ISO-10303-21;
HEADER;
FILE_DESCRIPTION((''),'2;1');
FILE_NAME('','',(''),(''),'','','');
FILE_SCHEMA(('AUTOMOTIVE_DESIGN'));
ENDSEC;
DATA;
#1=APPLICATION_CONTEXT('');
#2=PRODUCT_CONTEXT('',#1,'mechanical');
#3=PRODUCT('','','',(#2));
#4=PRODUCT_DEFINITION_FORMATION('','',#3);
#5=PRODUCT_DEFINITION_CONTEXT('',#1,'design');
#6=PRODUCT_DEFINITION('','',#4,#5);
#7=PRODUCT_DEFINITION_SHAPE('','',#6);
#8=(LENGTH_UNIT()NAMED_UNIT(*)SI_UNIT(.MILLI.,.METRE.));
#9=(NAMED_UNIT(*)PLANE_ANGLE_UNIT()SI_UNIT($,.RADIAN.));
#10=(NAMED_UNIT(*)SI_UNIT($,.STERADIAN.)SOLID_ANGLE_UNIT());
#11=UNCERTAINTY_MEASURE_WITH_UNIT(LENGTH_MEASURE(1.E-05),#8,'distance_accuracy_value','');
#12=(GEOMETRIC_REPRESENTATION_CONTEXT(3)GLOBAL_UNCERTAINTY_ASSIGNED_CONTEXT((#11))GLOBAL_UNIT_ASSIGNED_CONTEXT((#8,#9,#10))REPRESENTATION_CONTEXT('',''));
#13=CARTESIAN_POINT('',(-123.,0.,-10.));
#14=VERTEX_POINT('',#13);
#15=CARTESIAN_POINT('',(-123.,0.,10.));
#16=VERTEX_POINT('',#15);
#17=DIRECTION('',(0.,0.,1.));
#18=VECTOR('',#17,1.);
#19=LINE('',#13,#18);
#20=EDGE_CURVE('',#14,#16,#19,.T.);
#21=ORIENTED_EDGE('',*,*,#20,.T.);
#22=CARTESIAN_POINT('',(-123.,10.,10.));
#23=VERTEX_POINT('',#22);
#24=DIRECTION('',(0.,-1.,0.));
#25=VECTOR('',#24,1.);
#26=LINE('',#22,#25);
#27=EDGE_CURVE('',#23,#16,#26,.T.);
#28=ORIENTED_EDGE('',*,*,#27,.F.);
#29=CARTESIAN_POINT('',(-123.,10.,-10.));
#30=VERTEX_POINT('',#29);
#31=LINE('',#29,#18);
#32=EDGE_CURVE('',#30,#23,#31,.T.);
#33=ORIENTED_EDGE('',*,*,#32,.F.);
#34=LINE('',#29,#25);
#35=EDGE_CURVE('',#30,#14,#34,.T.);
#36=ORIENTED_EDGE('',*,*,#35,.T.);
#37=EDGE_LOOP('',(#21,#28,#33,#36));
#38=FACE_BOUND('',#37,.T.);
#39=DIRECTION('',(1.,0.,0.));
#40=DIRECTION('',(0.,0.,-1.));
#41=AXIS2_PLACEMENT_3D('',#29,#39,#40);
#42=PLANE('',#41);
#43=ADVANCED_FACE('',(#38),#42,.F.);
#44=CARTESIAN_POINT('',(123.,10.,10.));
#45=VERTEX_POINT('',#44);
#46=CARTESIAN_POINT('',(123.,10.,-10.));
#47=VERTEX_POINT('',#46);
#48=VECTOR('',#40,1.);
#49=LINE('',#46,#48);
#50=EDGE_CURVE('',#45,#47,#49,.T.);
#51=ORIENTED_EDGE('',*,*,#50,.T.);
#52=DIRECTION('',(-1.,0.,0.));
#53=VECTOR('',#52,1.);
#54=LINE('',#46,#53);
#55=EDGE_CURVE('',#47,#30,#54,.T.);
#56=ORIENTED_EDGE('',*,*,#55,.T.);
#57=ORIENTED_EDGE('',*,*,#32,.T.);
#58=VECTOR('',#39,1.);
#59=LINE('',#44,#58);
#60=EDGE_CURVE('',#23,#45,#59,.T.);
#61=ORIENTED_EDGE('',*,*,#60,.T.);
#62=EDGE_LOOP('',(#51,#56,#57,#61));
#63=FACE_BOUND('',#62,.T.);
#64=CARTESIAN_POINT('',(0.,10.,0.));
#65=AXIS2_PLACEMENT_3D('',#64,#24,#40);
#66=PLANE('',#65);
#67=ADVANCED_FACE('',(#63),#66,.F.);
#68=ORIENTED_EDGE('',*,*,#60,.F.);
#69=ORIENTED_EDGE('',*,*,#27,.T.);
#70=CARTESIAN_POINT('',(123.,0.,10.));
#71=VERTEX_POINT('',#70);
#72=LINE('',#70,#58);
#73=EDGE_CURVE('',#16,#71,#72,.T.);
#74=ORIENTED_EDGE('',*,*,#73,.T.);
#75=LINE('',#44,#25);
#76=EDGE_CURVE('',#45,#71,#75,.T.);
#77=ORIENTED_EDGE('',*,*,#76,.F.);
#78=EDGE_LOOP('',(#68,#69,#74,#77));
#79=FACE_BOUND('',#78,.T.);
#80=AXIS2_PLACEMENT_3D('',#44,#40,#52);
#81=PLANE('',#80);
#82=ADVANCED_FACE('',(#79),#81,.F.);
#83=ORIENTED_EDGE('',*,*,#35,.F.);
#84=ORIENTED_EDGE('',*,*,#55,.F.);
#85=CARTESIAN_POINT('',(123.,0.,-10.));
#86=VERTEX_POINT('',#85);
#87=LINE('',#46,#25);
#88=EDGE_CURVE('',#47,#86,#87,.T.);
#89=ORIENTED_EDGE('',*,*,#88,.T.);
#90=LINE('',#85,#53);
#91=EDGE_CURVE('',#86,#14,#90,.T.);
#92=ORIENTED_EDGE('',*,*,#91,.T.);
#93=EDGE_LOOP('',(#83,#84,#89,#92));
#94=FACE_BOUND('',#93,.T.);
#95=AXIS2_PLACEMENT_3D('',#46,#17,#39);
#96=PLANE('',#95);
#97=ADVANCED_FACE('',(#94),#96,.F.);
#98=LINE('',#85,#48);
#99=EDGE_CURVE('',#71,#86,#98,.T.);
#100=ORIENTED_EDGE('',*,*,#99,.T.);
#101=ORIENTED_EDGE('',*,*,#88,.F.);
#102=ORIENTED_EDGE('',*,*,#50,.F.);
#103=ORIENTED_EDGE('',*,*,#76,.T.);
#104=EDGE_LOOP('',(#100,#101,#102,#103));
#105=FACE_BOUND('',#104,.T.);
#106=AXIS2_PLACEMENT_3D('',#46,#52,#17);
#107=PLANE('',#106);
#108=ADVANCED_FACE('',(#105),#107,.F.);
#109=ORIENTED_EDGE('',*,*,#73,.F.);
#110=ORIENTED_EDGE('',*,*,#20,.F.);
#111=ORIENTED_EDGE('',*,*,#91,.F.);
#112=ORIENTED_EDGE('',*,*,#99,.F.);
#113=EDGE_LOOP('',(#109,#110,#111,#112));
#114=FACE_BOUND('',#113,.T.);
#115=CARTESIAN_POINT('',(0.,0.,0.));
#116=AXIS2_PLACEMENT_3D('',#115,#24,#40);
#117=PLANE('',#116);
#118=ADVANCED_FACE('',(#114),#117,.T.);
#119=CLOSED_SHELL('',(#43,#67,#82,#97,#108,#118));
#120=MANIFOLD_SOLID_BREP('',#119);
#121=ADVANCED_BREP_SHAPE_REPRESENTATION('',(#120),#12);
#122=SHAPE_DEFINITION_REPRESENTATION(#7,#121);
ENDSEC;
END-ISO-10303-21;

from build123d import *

# Parameters (mm, degrees)
SKETCH_1_W      = 246
SKETCH_1_H      = 20
EXTRUDE_1_DEPTH = 10


with BuildPart() as part:
    # Эскиз1 → Бобышка-Вытянуть1 (new body)
    with BuildSketch(Plane(origin=(0, 0, 0), x_dir=(1, 0, 0), z_dir=(0, 1, 0))):
        Rectangle(SKETCH_1_W, SKETCH_1_H)
    extrude(amount=EXTRUDE_1_DEPTH)


solid = part.part
